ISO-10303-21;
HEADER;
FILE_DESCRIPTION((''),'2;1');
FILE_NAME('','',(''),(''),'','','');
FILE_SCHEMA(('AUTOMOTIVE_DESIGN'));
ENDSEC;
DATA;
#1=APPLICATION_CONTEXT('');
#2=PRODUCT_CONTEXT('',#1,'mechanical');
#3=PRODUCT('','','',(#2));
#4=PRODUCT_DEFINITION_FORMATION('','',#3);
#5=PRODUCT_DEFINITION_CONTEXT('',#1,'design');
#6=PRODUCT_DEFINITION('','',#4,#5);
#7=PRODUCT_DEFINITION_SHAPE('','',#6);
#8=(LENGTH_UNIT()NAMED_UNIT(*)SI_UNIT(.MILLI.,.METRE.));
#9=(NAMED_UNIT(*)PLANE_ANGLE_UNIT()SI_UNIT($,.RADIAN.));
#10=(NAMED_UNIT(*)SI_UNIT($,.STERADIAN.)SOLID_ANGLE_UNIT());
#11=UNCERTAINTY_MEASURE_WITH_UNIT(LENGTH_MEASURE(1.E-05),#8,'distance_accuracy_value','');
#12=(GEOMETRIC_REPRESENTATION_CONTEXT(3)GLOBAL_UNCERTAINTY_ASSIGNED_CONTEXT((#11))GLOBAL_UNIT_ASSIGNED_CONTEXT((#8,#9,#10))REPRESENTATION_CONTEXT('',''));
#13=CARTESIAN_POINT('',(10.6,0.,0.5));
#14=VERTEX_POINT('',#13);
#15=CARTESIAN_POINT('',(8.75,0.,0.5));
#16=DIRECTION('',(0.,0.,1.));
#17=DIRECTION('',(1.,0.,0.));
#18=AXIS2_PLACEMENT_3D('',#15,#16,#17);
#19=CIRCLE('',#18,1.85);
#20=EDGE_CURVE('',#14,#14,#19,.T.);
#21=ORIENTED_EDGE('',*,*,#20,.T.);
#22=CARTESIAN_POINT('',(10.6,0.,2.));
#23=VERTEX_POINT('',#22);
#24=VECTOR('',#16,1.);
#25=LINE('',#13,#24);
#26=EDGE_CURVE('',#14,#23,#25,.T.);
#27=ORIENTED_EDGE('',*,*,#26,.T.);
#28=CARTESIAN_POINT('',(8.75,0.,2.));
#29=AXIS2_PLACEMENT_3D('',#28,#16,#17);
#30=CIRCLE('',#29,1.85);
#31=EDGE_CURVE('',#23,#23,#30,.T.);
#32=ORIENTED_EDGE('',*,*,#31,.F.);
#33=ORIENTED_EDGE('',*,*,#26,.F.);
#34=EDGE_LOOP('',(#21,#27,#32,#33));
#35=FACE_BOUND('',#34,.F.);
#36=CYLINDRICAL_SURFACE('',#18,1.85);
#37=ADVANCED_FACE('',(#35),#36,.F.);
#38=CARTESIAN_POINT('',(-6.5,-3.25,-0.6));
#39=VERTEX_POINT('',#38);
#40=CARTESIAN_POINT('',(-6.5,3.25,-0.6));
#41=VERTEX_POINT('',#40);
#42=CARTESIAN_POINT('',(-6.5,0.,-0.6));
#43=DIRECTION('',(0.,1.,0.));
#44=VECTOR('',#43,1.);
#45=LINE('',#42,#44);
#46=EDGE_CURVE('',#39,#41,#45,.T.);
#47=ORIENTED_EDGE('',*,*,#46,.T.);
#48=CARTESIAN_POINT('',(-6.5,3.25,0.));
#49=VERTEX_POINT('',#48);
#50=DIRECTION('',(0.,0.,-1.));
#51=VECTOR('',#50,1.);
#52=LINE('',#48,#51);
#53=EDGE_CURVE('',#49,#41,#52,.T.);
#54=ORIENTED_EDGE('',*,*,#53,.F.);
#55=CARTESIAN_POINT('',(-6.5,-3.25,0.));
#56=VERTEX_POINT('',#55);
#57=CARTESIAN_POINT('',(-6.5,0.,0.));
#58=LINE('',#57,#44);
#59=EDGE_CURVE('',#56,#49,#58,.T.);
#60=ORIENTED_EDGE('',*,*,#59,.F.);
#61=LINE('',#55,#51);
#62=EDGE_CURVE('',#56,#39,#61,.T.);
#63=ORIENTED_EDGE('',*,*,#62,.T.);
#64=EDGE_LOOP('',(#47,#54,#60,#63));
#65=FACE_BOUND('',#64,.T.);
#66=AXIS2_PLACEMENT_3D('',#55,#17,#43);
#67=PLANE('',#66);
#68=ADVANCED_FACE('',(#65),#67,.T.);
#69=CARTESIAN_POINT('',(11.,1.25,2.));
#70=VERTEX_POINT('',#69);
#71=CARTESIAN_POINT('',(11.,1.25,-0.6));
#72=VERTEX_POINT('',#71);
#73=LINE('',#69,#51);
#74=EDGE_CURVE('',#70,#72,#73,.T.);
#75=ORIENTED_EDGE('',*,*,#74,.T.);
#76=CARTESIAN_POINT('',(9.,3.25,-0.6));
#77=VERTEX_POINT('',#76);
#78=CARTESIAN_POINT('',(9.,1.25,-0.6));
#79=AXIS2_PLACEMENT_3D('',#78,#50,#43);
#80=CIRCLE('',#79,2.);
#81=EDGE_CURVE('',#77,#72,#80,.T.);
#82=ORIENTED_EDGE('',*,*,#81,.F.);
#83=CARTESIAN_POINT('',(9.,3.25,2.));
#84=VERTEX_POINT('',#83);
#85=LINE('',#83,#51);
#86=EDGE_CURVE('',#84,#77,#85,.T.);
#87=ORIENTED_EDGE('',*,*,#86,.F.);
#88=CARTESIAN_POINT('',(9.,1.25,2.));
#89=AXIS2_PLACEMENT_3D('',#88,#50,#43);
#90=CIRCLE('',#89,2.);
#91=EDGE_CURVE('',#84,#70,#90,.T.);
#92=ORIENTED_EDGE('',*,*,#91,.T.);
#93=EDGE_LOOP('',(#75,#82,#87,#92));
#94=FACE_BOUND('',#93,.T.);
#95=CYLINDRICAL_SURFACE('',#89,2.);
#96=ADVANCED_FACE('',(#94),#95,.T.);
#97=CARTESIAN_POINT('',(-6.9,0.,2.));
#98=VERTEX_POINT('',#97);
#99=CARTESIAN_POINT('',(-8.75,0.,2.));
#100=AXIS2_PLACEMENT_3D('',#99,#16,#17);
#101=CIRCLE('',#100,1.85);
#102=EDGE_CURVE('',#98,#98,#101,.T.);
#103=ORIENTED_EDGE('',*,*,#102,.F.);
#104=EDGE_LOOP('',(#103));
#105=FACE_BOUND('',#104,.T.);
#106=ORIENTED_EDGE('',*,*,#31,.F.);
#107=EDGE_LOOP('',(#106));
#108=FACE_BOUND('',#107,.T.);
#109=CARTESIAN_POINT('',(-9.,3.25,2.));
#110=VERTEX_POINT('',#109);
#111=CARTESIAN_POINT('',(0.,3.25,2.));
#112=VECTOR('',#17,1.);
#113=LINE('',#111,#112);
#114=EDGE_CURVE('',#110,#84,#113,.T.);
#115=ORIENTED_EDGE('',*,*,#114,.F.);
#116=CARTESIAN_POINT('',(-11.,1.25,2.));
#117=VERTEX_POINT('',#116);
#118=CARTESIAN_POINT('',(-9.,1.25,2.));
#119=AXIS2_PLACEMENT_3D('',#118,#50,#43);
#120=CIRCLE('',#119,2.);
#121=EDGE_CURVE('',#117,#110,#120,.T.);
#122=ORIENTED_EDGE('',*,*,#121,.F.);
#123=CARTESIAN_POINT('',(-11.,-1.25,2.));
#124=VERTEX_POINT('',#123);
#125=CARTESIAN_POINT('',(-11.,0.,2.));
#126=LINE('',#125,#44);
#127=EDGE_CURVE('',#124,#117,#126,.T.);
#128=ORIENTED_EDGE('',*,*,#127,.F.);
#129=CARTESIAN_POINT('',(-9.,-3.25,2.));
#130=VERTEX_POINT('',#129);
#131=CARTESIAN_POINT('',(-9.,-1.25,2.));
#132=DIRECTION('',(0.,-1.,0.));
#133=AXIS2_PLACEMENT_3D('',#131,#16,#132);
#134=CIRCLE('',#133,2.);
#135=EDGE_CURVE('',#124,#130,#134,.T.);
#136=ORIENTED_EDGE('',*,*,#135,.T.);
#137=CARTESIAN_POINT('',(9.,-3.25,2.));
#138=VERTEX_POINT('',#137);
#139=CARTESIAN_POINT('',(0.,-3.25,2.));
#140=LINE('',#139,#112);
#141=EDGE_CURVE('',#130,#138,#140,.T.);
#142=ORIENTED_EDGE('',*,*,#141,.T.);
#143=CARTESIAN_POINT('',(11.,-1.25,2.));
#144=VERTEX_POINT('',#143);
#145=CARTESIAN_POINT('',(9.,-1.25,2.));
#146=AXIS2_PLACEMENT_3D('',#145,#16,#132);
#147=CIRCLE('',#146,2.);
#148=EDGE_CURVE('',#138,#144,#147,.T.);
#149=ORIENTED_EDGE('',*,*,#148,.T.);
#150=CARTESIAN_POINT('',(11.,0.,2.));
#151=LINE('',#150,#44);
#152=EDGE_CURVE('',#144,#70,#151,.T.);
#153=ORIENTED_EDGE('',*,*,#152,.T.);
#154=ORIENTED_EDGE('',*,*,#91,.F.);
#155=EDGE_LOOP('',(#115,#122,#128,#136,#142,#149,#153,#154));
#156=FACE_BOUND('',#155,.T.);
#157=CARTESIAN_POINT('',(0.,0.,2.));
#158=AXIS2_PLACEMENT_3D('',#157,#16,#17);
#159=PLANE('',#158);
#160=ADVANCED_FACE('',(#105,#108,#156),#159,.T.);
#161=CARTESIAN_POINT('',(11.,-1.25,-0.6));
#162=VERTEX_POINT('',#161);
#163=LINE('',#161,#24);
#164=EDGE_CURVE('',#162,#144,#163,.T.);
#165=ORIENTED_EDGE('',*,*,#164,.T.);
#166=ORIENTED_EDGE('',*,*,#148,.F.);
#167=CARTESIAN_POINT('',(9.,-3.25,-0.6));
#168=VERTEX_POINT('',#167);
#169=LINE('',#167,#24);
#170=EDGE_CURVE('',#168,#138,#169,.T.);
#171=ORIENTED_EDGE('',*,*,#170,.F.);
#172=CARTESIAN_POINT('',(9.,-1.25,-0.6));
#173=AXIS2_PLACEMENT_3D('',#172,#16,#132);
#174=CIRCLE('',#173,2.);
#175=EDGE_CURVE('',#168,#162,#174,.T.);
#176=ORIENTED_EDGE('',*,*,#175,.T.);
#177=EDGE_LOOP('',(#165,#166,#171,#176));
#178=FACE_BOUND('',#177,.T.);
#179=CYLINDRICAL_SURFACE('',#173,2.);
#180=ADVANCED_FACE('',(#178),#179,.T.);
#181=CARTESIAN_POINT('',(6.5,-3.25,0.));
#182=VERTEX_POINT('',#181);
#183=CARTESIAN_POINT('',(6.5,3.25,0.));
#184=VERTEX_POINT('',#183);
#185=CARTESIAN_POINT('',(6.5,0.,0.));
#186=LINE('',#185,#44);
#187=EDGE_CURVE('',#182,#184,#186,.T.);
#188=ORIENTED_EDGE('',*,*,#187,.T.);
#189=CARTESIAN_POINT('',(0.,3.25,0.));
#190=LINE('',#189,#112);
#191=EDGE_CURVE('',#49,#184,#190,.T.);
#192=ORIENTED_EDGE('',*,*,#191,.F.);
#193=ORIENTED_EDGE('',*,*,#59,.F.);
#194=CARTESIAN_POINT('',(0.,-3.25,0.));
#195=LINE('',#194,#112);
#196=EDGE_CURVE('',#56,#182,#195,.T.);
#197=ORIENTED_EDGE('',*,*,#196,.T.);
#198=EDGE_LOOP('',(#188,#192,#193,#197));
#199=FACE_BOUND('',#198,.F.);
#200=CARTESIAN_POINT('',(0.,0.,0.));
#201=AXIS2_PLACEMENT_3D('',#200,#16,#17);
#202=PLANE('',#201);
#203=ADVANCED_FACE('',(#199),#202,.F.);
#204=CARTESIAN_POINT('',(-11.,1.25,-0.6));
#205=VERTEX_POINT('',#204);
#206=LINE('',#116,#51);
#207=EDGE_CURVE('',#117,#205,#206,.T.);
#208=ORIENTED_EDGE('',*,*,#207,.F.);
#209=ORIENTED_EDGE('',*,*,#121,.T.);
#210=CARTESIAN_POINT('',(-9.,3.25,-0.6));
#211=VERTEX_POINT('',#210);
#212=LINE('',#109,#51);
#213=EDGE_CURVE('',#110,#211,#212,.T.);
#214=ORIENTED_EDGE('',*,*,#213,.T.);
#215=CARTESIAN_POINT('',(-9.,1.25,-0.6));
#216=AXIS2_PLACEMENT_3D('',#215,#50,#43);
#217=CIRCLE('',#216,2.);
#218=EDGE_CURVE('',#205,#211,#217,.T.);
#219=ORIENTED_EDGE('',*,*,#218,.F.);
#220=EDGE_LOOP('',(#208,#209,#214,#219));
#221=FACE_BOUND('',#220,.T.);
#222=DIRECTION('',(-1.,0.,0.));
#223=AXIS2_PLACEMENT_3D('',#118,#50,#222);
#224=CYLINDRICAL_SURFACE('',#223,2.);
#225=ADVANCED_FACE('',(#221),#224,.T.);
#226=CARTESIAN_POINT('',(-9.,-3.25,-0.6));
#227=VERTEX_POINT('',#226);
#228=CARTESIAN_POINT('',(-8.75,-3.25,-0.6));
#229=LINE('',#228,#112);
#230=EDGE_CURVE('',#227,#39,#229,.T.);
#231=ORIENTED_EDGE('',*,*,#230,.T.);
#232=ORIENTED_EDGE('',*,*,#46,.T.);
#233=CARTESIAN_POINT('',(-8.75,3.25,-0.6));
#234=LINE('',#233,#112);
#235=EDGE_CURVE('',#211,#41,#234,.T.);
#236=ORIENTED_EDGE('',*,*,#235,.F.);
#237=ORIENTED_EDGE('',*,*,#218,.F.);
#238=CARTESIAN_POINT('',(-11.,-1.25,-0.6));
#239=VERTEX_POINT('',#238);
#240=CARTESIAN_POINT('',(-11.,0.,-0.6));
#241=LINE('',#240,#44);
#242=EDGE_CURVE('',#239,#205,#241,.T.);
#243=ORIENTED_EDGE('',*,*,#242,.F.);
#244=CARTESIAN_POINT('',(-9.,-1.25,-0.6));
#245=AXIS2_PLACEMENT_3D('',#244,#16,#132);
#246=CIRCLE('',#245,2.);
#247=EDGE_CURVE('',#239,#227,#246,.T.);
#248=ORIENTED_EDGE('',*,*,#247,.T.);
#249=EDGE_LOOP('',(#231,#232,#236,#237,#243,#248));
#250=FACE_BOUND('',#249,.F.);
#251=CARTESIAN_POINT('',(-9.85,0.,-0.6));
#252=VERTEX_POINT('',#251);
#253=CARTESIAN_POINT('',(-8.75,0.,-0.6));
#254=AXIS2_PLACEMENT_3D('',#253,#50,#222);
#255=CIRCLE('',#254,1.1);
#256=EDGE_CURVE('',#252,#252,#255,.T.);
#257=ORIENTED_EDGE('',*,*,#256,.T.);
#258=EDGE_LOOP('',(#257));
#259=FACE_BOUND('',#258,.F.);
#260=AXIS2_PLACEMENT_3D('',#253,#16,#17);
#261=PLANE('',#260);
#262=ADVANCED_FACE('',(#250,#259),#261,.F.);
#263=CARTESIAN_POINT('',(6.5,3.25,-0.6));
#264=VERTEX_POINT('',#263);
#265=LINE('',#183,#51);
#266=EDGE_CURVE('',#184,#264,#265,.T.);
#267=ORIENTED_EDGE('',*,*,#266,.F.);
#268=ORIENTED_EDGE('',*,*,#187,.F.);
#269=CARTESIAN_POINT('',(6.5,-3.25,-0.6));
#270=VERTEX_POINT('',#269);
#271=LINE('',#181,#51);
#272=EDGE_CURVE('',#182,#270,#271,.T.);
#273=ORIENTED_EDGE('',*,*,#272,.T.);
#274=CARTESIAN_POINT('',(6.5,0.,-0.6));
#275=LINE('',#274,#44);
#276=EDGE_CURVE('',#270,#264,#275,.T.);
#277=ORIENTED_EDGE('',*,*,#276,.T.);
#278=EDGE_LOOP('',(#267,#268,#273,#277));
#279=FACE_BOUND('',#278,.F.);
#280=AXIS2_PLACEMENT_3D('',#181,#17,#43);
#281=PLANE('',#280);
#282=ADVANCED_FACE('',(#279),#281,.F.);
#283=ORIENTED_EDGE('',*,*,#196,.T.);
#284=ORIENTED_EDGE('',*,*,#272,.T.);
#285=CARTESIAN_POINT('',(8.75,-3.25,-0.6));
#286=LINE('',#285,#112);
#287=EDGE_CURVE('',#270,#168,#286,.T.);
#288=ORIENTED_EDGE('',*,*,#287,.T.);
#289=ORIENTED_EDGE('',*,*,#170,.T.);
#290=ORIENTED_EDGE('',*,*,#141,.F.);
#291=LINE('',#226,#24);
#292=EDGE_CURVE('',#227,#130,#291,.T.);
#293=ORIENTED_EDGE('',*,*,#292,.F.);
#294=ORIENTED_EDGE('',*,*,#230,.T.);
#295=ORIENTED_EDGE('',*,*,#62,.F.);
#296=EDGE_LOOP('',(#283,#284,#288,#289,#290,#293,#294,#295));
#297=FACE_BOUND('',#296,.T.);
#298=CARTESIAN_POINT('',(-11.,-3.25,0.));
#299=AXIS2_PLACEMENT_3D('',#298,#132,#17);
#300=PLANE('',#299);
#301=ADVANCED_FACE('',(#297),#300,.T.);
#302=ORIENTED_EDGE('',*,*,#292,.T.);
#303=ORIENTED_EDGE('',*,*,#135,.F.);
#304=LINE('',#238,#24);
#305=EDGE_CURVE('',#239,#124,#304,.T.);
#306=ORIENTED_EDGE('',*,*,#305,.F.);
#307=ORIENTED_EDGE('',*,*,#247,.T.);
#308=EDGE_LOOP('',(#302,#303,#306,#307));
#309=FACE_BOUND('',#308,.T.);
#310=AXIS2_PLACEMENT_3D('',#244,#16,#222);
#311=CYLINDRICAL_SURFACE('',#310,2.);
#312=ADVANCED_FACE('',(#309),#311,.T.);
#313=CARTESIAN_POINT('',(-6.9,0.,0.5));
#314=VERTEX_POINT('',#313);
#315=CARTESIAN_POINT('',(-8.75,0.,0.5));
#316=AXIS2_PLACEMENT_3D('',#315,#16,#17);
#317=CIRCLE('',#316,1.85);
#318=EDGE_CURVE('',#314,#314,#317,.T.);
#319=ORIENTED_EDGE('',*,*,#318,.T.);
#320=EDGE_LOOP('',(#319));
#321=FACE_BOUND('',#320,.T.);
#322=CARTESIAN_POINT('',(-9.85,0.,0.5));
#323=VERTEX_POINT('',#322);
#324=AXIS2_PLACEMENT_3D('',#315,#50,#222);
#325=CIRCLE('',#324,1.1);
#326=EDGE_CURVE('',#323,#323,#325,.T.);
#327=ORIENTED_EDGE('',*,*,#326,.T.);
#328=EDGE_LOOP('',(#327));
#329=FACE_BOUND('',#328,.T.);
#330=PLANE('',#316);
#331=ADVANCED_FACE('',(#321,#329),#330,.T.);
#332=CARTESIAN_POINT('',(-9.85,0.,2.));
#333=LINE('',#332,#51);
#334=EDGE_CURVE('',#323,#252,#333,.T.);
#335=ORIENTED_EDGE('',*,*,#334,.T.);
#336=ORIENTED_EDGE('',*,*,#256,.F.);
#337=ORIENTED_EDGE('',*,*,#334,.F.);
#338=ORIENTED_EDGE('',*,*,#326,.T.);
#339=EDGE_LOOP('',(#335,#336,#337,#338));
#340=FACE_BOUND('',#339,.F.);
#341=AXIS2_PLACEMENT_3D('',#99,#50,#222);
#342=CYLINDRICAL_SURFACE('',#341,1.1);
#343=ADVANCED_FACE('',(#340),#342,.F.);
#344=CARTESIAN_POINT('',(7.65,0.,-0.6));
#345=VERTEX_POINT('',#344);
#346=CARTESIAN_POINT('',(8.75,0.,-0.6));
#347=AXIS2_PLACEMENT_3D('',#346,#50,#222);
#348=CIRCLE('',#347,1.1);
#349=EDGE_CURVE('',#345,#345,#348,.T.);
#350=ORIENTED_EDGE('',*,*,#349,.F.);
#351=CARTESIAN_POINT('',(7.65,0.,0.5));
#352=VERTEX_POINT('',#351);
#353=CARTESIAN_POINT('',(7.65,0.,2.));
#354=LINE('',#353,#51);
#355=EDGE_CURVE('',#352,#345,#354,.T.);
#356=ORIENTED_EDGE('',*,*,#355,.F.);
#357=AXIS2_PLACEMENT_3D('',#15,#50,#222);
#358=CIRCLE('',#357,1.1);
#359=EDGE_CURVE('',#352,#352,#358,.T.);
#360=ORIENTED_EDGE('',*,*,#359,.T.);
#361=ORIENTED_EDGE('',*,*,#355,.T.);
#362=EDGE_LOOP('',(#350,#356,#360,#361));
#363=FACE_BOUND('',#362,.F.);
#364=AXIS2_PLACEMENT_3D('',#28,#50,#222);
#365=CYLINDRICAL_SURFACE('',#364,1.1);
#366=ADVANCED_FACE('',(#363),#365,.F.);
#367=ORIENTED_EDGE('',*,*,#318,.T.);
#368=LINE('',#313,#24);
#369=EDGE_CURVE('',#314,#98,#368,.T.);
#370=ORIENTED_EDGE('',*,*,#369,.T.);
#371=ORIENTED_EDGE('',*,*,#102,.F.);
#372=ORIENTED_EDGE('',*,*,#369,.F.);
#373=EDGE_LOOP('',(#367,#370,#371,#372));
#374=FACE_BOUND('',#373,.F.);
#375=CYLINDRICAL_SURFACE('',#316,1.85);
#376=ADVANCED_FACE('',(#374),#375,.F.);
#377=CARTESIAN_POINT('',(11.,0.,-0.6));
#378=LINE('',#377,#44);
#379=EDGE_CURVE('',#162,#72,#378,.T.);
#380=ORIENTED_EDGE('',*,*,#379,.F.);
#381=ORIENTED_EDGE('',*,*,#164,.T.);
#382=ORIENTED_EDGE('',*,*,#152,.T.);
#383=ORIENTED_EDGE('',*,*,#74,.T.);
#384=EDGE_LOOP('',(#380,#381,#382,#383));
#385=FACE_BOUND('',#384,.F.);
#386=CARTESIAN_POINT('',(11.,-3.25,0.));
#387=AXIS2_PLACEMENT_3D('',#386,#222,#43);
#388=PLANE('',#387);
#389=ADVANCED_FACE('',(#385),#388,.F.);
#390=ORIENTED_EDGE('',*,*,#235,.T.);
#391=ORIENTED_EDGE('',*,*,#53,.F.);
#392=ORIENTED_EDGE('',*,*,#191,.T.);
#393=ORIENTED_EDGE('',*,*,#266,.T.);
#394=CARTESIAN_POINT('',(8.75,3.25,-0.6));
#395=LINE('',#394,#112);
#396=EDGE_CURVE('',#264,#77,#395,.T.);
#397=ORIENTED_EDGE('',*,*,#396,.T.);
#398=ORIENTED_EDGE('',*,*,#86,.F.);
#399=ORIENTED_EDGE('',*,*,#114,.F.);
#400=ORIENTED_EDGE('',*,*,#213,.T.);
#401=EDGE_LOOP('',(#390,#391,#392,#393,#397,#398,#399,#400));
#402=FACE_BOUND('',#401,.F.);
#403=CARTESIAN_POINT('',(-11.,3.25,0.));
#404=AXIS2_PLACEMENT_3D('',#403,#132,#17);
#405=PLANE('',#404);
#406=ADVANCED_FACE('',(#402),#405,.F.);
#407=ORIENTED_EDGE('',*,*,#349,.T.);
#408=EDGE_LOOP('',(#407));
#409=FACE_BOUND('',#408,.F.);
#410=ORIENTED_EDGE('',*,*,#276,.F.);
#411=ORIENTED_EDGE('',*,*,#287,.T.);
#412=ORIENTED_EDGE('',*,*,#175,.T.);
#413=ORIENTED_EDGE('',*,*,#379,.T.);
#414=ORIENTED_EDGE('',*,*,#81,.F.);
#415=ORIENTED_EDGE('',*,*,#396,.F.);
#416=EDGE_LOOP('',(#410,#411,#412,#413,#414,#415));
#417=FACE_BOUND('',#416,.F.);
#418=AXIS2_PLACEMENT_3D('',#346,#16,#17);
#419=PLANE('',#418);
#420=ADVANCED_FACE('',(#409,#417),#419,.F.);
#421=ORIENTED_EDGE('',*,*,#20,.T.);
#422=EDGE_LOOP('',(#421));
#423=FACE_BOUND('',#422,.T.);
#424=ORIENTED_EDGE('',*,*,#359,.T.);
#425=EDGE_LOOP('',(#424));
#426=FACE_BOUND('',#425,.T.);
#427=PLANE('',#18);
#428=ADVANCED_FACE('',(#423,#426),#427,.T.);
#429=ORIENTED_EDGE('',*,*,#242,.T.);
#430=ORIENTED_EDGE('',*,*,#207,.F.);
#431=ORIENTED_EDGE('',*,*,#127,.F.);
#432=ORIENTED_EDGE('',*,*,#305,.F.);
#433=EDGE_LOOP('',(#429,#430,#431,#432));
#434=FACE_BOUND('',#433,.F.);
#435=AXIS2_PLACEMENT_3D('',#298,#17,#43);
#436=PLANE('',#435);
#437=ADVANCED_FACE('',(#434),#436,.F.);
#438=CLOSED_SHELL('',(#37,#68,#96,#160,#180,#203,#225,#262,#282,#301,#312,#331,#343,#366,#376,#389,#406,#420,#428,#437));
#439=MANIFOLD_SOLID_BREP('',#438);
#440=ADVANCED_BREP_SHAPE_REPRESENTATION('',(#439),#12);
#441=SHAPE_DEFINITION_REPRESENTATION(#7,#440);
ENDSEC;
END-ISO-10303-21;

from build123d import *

# Parameters (mm, degrees)
F0_W           = 22
F0_H           = 6.5
F1_DEPTH       = 2
F2_W           = 4.5
F2_H           = 6.5
F3_DEPTH       = 0.6
F6_D           = 2.2
F6_CBORE_D     = 3.7
F6_CBORE_DEPTH = 1.5
F7_R           = 2


with BuildPart() as f1:
    # F0 (on Top) → F1 (new body)
    with BuildSketch(Plane.XY):
        Rectangle(F0_W, F0_H)
    extrude(amount=F1_DEPTH)

    # F2 (on Top) → F3 (join)
    with BuildSketch(Plane.XY):
        with Locations((-8.75, 0)):
            Rectangle(F2_W, F2_H)
        with Locations((8.75, 0)):
            Rectangle(F2_W, F2_H)
    extrude(amount=-F3_DEPTH)

    # F6 (through all)
    with Locations(Plane.XY.offset(2)):
        with Locations((-8.75, 0), (8.75, 0)):
            CounterBoreHole(F6_D / 2, F6_CBORE_D / 2, F6_CBORE_DEPTH)

    # F7
    f7_edges = [f1.edges().sort_by_distance(p)[0] for p in [
        (-11, -3.25, 0.7),
        (-11, 3.25, 0.7),
        (11, -3.25, 0.7),
        (11, 3.25, 0.7),
    ]]
    fillet(f7_edges, radius=F7_R)


solid = f1.part
